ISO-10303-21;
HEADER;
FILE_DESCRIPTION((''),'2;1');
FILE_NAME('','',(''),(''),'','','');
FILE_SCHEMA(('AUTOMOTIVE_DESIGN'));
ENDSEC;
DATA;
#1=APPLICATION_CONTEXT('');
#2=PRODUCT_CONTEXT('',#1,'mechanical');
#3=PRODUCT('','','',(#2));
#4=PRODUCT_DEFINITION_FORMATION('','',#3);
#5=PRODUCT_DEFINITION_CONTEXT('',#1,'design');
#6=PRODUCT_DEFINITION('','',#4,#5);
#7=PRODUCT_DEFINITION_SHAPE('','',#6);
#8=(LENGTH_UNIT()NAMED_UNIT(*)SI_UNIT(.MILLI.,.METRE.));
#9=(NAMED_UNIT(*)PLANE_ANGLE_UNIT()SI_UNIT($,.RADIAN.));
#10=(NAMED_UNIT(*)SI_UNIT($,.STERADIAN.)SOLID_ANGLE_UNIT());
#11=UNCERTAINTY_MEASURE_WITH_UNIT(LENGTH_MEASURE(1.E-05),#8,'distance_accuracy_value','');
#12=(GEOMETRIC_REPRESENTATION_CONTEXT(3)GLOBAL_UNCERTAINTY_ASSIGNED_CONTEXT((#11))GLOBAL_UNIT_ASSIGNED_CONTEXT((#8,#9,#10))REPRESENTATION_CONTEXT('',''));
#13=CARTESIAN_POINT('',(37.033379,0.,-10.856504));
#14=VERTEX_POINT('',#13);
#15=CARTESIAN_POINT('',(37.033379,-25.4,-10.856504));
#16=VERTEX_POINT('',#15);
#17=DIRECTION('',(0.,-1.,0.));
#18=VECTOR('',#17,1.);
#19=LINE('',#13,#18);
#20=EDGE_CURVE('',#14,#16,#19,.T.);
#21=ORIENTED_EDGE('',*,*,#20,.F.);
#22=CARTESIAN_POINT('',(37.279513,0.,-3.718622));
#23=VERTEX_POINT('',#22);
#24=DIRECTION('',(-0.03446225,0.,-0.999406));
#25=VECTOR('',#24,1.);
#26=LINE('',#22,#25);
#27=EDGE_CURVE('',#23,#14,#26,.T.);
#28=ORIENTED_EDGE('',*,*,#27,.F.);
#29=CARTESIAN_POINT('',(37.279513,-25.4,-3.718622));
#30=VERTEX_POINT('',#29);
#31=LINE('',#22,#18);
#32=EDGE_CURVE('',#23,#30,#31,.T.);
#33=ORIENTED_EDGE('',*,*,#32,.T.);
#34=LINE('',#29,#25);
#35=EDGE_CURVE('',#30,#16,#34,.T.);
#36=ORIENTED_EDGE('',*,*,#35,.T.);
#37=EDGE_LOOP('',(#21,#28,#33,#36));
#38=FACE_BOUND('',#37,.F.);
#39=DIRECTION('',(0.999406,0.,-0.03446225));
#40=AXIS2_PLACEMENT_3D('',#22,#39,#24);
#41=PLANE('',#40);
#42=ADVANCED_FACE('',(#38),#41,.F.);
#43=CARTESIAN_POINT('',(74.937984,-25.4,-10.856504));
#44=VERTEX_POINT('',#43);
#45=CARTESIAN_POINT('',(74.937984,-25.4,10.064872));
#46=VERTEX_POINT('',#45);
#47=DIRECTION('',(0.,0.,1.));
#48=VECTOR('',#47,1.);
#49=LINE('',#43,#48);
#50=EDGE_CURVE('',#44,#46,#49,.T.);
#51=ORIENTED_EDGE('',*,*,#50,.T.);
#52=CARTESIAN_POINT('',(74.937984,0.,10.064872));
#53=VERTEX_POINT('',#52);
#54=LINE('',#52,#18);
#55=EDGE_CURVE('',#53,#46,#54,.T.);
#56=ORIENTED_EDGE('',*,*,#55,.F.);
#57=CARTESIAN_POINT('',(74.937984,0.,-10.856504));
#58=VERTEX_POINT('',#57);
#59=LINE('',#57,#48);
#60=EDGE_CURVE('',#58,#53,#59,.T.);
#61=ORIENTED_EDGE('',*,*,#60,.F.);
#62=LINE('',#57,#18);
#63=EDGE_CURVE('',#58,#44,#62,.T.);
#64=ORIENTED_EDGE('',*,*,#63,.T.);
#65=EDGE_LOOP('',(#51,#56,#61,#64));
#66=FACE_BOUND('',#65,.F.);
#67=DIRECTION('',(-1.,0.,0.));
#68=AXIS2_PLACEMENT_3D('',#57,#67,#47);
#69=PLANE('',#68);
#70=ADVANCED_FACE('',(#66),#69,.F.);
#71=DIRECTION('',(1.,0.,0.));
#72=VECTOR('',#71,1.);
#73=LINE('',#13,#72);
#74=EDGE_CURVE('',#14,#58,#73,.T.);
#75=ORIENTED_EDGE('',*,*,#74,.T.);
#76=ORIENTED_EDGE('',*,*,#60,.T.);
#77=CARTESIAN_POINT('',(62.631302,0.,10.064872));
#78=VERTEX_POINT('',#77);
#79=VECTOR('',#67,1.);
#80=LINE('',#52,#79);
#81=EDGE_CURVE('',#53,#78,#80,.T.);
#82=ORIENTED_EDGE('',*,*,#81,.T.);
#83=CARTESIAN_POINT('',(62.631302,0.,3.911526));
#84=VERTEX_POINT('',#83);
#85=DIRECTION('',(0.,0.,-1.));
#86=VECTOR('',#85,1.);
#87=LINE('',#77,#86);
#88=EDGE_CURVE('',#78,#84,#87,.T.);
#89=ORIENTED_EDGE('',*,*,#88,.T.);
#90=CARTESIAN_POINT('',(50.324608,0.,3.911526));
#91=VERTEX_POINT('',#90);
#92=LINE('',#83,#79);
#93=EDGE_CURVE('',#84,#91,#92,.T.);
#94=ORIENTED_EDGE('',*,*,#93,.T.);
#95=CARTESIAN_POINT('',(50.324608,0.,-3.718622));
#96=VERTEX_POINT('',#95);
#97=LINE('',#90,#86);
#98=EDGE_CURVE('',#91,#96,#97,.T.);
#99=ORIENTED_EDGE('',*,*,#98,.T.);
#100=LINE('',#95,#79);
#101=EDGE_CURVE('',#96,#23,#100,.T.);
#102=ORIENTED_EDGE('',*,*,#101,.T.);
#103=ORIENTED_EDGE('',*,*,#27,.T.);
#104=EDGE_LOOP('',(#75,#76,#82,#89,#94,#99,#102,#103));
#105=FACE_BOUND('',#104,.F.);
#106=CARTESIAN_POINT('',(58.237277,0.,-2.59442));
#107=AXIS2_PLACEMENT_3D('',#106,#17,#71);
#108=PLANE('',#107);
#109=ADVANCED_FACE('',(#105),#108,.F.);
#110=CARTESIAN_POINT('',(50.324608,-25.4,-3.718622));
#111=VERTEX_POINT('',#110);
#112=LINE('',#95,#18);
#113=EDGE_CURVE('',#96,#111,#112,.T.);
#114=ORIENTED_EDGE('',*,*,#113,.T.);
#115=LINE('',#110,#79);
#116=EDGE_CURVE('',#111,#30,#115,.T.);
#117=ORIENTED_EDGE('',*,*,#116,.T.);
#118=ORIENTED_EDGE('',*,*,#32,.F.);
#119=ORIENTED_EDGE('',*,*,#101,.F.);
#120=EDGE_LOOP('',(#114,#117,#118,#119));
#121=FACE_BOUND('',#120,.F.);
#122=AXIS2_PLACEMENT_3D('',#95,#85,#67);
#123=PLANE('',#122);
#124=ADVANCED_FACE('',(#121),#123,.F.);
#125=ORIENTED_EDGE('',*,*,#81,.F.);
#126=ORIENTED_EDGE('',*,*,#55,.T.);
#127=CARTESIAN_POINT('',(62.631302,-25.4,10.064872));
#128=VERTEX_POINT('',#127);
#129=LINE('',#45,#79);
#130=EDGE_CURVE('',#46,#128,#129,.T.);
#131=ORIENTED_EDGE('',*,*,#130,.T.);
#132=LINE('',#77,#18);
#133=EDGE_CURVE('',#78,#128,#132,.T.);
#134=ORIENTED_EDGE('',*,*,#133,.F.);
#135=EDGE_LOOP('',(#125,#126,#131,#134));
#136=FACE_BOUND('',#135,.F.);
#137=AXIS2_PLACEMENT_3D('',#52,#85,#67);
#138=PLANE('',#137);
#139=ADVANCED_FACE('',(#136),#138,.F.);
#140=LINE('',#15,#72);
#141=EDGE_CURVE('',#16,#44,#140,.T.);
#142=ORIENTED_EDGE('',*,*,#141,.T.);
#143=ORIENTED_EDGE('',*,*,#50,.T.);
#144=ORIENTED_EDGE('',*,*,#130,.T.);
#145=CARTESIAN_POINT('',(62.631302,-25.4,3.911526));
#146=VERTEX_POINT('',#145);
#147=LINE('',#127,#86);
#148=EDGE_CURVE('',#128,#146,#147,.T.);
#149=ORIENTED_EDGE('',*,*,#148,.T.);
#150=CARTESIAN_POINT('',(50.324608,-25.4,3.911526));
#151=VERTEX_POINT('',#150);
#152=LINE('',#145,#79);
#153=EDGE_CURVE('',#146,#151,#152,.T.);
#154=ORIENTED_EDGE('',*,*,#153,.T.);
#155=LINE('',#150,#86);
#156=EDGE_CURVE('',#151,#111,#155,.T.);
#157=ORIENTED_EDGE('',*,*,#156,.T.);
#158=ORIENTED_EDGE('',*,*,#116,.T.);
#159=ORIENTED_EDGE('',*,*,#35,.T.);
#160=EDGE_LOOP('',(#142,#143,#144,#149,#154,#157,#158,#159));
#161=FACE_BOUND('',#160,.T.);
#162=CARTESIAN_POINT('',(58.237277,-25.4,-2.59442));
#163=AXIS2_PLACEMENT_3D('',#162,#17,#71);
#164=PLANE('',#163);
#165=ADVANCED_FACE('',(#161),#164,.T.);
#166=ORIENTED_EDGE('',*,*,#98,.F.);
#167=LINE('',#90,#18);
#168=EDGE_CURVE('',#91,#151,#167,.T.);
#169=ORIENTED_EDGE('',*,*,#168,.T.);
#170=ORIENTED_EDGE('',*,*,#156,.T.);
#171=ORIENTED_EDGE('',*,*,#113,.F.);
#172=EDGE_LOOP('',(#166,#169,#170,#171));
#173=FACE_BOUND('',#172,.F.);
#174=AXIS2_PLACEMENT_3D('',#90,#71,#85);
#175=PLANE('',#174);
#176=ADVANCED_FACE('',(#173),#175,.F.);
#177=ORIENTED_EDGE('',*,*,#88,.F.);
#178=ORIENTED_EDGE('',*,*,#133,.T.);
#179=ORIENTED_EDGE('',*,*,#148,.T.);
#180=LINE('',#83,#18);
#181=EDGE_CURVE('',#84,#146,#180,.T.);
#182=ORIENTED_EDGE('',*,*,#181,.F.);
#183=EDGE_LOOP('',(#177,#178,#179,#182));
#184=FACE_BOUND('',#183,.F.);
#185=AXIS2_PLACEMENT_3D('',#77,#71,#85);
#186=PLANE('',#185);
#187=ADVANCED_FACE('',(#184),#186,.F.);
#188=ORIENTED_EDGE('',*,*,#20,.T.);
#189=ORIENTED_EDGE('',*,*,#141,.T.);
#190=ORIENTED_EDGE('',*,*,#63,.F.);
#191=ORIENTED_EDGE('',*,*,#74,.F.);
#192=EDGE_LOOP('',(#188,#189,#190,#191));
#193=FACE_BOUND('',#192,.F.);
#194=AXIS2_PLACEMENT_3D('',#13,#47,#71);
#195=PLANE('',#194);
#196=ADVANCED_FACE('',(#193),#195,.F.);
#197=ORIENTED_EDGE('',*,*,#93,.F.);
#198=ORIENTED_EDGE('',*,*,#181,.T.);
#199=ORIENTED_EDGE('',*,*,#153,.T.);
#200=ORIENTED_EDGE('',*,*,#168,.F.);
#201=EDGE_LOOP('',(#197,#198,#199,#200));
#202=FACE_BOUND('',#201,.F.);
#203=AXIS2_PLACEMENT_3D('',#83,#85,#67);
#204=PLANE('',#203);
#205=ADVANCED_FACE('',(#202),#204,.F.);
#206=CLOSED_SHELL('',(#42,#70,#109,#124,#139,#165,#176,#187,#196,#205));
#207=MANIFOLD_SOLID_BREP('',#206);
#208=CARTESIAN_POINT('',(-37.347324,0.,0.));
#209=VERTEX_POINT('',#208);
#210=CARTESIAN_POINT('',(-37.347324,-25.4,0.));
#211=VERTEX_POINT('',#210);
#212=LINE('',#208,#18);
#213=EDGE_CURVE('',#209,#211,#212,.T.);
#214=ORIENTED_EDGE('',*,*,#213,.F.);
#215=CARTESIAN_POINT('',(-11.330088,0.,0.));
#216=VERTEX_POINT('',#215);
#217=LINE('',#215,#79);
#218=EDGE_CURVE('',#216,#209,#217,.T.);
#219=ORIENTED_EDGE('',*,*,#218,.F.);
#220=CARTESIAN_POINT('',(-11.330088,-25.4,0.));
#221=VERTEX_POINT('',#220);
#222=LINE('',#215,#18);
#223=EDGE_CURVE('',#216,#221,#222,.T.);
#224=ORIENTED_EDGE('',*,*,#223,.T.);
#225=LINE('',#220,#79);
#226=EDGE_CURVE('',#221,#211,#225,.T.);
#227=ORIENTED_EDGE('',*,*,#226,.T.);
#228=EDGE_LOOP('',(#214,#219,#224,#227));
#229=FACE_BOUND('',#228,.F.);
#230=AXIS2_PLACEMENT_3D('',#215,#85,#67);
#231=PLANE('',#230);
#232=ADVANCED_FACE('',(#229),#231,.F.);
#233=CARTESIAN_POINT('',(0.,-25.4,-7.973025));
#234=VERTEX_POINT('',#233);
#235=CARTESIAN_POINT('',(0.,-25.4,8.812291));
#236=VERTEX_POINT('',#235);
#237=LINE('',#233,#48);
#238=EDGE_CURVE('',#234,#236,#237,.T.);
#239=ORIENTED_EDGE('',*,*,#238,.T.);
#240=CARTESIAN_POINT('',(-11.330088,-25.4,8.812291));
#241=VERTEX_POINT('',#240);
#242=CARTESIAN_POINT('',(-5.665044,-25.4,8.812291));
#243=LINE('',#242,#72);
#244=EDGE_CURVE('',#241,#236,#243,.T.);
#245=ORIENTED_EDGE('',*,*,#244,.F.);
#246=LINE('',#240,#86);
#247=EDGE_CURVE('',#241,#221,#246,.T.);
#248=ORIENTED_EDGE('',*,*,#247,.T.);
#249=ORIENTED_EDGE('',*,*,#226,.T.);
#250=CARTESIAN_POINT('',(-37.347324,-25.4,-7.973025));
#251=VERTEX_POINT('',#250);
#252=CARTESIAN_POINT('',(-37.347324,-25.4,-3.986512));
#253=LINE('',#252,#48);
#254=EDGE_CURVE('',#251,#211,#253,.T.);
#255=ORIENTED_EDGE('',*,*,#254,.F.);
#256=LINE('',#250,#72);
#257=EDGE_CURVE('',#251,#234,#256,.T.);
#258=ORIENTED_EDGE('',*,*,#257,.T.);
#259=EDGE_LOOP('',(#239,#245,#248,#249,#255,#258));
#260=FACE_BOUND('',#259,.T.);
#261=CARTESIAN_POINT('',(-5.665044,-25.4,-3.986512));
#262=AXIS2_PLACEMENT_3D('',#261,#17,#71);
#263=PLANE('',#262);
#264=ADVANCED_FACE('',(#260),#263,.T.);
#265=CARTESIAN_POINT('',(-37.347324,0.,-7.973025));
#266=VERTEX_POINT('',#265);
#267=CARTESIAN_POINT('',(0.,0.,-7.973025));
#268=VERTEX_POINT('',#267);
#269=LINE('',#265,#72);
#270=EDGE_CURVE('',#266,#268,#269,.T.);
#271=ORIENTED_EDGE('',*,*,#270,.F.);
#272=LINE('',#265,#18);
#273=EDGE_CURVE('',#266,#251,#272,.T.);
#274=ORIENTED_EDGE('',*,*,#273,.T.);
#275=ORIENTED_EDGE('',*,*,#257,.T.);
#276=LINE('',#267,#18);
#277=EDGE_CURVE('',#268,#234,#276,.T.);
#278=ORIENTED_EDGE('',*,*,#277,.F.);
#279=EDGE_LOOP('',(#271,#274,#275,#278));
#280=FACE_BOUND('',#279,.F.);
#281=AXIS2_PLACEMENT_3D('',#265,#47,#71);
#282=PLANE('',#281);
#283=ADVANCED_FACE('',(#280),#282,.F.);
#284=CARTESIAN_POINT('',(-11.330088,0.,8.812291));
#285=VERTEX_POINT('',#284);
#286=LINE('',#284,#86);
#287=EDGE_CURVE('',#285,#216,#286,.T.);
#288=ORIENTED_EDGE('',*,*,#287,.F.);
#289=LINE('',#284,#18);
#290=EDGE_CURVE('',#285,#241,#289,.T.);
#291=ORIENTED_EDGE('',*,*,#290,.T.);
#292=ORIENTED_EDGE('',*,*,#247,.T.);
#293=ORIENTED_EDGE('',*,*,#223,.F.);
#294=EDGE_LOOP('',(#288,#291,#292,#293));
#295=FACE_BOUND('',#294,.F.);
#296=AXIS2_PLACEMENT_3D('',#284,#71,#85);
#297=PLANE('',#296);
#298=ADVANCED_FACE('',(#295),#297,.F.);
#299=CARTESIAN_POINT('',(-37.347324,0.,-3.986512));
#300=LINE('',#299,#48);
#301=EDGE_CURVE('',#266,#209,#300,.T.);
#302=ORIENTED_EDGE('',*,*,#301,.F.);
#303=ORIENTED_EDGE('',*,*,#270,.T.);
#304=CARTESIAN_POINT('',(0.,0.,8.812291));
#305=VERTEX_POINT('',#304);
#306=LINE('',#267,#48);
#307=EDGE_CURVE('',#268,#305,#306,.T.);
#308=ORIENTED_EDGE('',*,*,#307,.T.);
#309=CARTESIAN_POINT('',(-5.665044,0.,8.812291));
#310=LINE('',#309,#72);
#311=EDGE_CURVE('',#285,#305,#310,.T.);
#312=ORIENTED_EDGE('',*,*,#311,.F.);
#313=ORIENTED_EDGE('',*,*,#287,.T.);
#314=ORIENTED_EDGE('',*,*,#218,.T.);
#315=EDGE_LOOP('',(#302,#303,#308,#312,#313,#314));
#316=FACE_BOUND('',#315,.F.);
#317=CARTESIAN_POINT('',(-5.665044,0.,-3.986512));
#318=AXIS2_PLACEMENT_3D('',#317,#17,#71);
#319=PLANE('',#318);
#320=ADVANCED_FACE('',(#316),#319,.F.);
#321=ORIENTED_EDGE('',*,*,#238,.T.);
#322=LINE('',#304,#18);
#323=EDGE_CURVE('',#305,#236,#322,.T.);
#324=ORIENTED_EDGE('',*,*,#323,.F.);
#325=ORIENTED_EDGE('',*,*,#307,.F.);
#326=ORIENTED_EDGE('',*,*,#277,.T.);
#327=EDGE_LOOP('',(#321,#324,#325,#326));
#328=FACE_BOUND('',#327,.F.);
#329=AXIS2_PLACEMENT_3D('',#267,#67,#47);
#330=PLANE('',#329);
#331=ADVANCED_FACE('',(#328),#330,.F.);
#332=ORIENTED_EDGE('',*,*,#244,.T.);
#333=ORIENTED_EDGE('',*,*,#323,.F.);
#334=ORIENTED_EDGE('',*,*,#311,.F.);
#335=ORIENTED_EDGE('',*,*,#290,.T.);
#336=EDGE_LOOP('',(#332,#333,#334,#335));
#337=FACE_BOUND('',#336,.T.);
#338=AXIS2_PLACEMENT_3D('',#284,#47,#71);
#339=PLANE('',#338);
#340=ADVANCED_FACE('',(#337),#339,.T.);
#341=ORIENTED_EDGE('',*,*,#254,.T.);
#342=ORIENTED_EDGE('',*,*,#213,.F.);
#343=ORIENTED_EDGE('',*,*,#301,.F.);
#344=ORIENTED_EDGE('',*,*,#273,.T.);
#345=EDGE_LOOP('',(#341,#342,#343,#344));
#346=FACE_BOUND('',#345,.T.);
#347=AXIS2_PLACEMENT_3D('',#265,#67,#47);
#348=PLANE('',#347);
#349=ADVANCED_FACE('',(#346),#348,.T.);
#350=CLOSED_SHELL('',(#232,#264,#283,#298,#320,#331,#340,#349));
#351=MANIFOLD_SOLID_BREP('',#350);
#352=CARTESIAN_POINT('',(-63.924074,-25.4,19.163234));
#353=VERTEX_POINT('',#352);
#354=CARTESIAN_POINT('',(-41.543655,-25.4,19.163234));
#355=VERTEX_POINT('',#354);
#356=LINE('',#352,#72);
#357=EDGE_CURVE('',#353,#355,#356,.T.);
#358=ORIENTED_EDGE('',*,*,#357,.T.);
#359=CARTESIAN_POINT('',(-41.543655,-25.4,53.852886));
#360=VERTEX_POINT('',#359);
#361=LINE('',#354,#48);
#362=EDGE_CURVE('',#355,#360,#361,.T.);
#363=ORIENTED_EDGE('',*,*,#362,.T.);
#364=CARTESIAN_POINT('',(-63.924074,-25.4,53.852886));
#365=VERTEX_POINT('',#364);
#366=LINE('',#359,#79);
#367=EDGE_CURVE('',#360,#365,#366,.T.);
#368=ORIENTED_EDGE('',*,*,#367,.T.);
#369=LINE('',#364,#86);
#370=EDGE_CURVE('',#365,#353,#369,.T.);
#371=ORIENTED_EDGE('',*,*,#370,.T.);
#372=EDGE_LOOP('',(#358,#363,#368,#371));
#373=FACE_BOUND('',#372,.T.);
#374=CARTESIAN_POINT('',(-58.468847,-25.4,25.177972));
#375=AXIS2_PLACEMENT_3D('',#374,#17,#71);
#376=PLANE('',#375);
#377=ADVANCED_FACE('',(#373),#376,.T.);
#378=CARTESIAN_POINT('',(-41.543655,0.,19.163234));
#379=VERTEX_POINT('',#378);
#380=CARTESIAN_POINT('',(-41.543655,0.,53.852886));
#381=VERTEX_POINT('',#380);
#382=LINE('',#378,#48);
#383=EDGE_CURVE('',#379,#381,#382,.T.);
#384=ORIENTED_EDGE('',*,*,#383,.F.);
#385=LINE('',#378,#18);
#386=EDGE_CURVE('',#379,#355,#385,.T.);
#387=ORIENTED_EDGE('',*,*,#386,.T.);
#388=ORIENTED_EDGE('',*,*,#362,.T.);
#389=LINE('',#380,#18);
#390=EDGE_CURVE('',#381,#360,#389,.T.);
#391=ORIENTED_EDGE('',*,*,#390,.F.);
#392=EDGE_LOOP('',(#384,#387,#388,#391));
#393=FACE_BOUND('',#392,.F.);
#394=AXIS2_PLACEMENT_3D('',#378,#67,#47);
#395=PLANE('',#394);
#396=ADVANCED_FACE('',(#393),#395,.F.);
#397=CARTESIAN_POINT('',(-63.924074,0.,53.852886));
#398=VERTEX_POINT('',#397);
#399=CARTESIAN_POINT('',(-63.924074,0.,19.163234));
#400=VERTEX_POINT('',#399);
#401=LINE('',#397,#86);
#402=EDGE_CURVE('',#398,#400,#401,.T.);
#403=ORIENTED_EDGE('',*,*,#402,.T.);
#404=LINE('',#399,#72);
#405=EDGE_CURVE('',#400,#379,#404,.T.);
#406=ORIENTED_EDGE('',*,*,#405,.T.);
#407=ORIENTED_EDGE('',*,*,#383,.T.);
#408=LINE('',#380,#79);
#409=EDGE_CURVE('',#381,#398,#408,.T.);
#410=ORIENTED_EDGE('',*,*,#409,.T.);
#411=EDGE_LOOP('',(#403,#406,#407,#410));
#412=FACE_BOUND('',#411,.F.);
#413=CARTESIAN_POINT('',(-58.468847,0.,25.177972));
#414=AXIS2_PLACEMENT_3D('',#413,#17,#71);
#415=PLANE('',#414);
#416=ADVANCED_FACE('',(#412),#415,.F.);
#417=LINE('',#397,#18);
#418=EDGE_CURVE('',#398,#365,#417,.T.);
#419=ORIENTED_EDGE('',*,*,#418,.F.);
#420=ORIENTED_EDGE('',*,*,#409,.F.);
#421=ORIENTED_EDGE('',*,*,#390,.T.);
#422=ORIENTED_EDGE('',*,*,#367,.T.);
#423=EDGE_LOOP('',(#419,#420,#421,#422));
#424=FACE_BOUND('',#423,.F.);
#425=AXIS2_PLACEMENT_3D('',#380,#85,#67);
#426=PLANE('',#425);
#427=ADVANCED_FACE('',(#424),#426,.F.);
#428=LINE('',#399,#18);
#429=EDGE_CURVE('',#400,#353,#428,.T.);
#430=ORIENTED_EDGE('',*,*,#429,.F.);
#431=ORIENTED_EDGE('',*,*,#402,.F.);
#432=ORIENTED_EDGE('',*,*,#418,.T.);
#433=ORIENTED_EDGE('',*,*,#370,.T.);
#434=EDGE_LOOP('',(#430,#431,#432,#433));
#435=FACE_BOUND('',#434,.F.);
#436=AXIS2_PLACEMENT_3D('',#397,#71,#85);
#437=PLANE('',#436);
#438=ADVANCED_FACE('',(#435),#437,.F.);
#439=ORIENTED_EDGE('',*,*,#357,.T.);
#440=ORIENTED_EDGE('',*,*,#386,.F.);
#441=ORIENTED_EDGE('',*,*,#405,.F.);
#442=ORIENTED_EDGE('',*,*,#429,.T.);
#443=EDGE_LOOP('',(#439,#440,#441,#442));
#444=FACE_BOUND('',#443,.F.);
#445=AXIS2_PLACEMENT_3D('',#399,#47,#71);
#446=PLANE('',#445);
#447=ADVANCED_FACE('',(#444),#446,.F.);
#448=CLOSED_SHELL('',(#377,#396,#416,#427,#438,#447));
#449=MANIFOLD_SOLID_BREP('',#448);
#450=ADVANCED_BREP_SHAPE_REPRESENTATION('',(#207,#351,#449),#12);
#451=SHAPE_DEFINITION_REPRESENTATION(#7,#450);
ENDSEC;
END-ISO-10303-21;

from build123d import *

# Parameters (mm, degrees)
F0_W     = 11.3300876692
F0_H     = 7.9730246216
F0_H_2   = 8.8122906163
F0_W_2   = 12.3092299327
F0_W_3   = 13.7080065906
F1_DEPTH = 25.4
F3_DEPTH = 25.4
F4_W     = 10.9104551375
F4_H     = 12.0294764638
F4_H_2   = 12.3092290014
F4_W_2   = 11.469963938
F4_H_3   = 10.350946337
F5_DEPTH = 25.4
F6_DEPTH = 25.4


with BuildPart() as f1:
    # F0 (on Front) → F1 (new body)
    with BuildSketch(Plane.XZ):
        with Locations((-5.6650438346, -3.9865123108)):
            Rectangle(F0_W, F0_H)
        with Locations((-5.6650438346, 4.4061453082)):
            Rectangle(F0_W, F0_H_2)
        with Locations((-17.4847026356, -3.9865123108)):
            Rectangle(F0_W_2, F0_H)
        with Locations((-30.4933208972, -3.9865123108)):
            Rectangle(F0_W_3, F0_H)
    extrude(amount=F1_DEPTH)

    # F6 (add): a face of the model
    f6_faces = [f1.faces().sort_by_distance(p)[0] for p in [
        (-15.4071045328, -25.4, -1.8790556485),
    ]]
    extrude(f6_faces, amount=-F6_DEPTH)


with BuildPart() as f3:
    # F2 (on Front) → F3 (new body)
    with BuildSketch(Plane.XZ):
        Polygon((50.3246076405, -3.7186222617), (37.2795127332, -3.7186222617), (37.0333790779, -10.8565036207), (74.9379843473, -10.8565036207), (74.9379843473, -3.7186222617), (74.9379843473, 10.0648719817), (62.6313015819, 10.0648719817), (62.6313015819, 3.911526408), (50.3246076405, 3.911526408), align=None)
    extrude(amount=F3_DEPTH)


with BuildPart() as f5:
    # F4 (on Front) → F5 (new body)
    with BuildSketch(Plane.XZ):
        with Locations((-58.4688466042, 25.1779723912)):
            Rectangle(F4_W, F4_H)
        with Locations((-58.4688466042, 37.3473251238)):
            Rectangle(F4_W, F4_H_2)
        with Locations((-47.2786370665, 25.1779723912)):
            Rectangle(F4_W_2, F4_H)
        with Locations((-47.2786370665, 37.3473251238)):
            Rectangle(F4_W_2, F4_H_2)
        with Locations((-58.4688466042, 48.677412793)):
            Rectangle(F4_W, F4_H_3)
        with Locations((-47.2786370665, 48.677412793)):
            Rectangle(F4_W_2, F4_H_3)
    extrude(amount=F5_DEPTH)


solid = Compound([f1.part, f3.part, f5.part])
